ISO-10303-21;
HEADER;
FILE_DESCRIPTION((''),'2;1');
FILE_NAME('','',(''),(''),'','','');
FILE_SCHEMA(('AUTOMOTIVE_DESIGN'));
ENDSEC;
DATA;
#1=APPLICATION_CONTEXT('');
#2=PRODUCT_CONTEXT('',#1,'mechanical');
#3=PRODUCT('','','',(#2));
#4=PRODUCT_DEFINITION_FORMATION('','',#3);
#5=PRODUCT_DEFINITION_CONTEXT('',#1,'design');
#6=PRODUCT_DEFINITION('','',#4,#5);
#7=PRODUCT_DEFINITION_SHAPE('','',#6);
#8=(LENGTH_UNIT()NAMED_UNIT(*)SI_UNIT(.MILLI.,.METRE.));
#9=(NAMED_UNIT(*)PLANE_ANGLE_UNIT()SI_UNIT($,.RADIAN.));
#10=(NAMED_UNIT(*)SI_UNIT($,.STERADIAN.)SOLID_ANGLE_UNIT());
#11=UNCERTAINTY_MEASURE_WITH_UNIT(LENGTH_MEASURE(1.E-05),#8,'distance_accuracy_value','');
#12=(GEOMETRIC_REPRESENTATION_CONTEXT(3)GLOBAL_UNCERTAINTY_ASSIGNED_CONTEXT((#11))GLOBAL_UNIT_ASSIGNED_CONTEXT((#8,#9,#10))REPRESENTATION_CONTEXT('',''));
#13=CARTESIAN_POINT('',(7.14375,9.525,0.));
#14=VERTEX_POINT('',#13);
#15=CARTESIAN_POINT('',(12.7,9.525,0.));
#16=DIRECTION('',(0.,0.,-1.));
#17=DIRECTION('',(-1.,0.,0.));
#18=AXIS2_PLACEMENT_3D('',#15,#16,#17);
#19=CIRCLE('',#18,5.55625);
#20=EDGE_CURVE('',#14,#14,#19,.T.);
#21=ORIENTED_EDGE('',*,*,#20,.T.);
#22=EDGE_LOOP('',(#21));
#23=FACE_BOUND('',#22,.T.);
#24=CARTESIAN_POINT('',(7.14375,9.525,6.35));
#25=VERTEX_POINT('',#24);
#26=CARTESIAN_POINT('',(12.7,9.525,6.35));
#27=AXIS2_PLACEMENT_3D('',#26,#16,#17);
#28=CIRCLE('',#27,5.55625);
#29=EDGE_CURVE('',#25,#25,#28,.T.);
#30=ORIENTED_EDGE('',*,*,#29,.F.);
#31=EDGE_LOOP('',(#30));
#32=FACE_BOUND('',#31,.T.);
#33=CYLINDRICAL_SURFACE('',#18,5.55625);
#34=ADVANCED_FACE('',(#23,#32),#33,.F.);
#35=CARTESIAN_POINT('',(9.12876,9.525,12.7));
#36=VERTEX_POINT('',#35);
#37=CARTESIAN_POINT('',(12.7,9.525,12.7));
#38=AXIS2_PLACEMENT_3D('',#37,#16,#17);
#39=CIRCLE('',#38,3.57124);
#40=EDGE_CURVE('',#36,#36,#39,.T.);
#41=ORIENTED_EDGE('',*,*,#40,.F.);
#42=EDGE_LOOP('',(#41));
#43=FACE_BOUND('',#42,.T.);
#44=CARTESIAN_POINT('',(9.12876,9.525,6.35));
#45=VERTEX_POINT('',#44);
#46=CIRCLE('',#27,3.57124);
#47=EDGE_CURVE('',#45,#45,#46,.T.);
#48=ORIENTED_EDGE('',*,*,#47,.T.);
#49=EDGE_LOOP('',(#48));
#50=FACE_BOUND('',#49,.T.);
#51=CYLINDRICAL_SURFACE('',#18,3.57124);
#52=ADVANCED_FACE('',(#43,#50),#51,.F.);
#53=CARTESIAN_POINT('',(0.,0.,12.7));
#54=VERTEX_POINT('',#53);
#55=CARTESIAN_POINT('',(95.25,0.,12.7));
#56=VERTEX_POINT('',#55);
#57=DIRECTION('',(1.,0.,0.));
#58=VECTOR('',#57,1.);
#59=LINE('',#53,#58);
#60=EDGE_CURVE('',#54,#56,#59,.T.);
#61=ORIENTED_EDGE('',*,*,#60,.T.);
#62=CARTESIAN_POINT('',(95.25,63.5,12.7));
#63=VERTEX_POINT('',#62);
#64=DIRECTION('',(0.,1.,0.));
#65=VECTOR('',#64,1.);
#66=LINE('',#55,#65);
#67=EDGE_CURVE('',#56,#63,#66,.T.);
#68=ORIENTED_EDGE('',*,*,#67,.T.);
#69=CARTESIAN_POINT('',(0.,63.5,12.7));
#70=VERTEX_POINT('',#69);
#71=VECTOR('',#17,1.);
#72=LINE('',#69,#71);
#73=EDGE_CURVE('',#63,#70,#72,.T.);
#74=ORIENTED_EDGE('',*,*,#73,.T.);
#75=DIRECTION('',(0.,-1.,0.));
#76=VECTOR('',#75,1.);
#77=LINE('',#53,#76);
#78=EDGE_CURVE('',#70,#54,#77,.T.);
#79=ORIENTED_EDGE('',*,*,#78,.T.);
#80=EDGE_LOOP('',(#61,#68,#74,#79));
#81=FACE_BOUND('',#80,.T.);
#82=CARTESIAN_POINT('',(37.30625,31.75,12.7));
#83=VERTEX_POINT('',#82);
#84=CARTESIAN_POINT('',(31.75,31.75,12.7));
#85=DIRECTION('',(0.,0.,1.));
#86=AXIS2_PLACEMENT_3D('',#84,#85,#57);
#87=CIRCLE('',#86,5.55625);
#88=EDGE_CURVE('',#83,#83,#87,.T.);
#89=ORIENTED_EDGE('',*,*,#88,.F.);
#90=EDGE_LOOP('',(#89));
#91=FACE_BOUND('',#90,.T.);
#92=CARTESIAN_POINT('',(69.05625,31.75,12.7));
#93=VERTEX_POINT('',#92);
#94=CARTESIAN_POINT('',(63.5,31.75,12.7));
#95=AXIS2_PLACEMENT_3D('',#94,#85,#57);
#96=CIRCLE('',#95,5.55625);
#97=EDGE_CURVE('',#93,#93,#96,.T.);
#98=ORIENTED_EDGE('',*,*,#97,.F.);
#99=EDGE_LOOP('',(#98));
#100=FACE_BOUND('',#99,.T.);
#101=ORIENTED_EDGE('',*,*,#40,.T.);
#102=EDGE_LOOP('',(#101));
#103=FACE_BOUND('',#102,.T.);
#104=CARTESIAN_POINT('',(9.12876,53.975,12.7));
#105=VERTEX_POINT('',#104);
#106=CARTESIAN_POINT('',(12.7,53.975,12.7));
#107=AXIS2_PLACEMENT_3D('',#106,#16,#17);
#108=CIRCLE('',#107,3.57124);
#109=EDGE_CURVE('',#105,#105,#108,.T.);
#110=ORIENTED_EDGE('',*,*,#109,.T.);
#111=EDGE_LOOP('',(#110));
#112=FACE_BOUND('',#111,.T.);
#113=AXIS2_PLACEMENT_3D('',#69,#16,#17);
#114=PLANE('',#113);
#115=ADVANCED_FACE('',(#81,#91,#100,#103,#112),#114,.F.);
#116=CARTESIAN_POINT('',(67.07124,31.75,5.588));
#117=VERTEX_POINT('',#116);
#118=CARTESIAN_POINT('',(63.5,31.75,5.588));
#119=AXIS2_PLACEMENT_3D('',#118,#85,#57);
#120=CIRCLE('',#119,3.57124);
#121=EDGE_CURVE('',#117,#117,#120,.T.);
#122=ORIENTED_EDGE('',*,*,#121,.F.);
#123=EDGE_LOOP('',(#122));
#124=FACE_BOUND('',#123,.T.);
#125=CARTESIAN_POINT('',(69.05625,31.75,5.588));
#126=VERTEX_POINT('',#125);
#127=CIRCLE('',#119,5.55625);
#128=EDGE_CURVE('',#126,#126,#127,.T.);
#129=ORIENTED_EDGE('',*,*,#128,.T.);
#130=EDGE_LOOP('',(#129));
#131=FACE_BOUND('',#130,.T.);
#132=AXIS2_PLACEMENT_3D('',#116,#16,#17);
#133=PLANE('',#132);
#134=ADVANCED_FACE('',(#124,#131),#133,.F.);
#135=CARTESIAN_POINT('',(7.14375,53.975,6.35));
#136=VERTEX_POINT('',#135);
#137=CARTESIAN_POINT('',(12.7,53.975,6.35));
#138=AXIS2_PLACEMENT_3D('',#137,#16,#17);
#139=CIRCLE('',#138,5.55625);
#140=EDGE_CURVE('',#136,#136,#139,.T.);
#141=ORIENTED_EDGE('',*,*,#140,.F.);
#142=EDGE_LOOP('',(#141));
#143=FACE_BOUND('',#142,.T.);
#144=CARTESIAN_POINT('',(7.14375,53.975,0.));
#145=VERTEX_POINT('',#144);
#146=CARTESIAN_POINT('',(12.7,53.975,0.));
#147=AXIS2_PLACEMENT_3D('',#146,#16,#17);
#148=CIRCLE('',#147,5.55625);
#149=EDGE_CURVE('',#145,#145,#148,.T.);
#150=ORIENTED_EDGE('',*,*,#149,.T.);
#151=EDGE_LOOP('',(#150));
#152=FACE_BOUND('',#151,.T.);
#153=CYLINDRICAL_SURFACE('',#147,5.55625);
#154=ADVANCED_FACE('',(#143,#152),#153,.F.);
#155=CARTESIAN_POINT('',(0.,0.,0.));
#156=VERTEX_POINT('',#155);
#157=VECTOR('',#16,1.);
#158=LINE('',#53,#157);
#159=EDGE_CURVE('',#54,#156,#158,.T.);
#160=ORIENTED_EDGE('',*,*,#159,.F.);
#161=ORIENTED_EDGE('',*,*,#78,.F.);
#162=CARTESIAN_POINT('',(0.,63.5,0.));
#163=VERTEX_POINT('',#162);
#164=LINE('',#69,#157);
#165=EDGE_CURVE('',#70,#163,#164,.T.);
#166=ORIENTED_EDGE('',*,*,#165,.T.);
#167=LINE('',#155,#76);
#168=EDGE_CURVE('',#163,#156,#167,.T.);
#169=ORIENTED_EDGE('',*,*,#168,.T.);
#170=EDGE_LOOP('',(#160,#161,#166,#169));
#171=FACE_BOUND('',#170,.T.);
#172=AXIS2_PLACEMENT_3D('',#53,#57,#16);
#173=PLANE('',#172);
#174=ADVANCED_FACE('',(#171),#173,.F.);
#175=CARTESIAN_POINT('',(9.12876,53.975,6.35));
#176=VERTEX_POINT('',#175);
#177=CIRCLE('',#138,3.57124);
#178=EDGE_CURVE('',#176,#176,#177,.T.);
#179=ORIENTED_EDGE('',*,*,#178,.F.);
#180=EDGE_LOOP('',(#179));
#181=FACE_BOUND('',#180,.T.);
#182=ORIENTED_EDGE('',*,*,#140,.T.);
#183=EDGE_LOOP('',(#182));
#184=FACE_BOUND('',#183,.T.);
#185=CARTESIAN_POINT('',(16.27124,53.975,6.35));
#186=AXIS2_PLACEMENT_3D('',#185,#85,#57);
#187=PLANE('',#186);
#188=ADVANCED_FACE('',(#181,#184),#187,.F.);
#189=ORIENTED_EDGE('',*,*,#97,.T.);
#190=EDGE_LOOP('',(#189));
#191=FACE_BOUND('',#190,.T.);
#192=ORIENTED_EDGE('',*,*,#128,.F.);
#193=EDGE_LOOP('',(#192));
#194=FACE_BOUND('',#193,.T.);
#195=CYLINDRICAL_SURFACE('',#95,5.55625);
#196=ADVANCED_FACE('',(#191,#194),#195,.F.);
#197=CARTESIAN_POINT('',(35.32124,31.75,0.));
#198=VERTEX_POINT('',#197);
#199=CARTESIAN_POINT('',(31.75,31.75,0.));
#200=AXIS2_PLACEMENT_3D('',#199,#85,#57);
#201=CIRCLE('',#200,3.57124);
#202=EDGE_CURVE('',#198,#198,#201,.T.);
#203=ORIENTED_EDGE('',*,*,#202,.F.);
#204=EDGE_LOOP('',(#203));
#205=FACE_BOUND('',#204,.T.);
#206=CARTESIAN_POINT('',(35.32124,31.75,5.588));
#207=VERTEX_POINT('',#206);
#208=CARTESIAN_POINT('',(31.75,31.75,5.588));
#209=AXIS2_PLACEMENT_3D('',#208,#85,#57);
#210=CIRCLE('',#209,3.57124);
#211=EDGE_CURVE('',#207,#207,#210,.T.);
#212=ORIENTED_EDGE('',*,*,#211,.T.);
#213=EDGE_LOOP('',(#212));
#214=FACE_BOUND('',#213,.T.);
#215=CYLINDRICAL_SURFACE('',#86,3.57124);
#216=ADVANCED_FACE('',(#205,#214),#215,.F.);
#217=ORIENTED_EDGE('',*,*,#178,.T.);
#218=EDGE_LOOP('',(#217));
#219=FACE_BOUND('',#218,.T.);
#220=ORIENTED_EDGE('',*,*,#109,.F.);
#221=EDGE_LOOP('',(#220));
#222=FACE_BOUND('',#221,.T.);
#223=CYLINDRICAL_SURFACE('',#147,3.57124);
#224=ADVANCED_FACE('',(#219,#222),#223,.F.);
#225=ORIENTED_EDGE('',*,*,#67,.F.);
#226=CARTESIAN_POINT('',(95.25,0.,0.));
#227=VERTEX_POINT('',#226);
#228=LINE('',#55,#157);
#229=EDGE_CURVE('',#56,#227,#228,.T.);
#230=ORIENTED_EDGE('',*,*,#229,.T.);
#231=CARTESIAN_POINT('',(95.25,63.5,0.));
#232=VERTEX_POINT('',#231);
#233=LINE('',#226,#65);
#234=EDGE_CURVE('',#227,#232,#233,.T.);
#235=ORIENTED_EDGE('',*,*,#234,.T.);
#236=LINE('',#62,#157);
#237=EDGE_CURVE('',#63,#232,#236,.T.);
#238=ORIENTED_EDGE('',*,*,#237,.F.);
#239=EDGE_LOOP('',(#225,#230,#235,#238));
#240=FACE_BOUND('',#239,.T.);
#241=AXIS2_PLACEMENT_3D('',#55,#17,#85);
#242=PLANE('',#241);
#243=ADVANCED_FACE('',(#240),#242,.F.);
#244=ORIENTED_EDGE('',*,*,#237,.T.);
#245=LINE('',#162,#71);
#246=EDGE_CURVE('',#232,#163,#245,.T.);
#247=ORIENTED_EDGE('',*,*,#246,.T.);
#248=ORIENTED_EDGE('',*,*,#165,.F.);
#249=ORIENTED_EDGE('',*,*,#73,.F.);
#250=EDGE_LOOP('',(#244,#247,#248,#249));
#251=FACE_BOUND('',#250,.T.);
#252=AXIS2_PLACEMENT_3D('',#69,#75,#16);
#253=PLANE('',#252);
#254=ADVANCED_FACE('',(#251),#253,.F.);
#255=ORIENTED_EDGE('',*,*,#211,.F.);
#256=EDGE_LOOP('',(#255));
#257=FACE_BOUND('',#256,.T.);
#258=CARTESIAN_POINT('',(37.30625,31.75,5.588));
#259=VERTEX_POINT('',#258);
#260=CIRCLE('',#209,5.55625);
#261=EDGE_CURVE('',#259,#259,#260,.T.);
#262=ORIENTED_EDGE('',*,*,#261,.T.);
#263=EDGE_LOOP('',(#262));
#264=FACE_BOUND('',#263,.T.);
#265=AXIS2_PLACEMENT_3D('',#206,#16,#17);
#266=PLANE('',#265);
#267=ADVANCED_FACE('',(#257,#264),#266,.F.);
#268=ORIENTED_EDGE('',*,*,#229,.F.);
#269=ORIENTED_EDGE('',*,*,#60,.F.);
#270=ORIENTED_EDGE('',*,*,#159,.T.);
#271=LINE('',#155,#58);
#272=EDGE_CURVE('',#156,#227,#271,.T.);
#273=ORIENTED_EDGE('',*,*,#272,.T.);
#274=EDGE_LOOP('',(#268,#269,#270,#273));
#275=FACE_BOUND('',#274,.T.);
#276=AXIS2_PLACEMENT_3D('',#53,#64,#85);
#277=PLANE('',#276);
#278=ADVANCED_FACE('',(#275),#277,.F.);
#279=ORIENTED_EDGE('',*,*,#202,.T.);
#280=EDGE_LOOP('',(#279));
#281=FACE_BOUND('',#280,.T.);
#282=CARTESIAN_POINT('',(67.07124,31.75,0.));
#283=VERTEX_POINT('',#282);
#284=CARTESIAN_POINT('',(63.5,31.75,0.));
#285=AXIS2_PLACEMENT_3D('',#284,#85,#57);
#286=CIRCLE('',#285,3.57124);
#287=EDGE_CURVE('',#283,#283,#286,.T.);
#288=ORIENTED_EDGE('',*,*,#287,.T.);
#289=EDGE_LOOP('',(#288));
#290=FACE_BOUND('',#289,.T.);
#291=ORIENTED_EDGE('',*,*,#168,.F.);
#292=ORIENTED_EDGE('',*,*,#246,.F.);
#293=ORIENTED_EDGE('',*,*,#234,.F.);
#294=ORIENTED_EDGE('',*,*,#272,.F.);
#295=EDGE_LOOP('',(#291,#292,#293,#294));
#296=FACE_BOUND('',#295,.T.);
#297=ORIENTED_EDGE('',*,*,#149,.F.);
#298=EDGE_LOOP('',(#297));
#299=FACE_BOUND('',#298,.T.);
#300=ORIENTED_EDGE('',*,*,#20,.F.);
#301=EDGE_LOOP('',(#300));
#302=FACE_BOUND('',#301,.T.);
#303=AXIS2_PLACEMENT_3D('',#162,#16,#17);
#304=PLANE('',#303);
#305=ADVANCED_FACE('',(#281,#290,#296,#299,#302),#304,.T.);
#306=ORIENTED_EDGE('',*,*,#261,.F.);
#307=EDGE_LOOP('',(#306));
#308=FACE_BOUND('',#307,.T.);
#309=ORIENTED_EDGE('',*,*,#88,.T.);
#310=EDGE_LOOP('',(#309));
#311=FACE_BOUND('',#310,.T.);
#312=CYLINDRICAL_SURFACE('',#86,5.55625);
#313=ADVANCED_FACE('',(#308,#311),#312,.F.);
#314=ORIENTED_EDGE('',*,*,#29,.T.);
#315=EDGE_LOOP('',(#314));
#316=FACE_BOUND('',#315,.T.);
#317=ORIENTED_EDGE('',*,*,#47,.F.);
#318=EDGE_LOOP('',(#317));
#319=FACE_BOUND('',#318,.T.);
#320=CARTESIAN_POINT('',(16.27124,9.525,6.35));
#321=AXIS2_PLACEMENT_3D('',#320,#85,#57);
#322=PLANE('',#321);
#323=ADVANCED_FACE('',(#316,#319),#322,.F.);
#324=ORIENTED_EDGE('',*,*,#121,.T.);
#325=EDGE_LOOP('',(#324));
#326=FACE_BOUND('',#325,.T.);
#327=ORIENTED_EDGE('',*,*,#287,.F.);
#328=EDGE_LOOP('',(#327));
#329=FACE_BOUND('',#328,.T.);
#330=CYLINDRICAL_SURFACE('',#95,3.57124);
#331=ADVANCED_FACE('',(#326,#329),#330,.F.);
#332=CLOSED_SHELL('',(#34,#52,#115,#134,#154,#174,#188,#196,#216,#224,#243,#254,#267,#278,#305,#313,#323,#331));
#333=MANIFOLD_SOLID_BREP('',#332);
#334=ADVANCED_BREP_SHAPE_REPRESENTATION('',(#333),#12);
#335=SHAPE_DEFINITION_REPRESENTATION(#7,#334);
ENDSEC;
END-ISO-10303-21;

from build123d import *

# Parameters (mm, degrees)
SKETCH1_W                                        = 95.25
SKETCH1_H                                        = 63.5
BOSS_EXTRUDE1_DEPTH                              = 12.7
CBORE_FOR_1_4_SOCKET_HEAD_CAP_SCREW1_D           = 7.14248
CBORE_FOR_1_4_SOCKET_HEAD_CAP_SCREW1_CBORE_D     = 11.1125
CBORE_FOR_1_4_SOCKET_HEAD_CAP_SCREW1_CBORE_DEPTH = 6.35
CBORE_FOR_1_4_SOCKET_HEAD_CAP_SCREW2_D           = 7.14248
CBORE_FOR_1_4_SOCKET_HEAD_CAP_SCREW2_CBORE_D     = 11.1125
CBORE_FOR_1_4_SOCKET_HEAD_CAP_SCREW2_CBORE_DEPTH = 7.112


with BuildPart() as part:
    # Sketch1 → Boss-Extrude1 (new body)
    with BuildSketch(Plane.XY):
        with Locations((47.625, 31.75)):
            Rectangle(SKETCH1_W, SKETCH1_H)
    extrude(amount=BOSS_EXTRUDE1_DEPTH)

    # CBORE for 1/4 Socket Head Cap Screw1 (through all)
    with Locations(Plane(origin=(0, 0, 0), x_dir=(-1, 0, 0), z_dir=(0, 0, -1))):
        with Locations((-12.7, 53.975), (-12.7, 9.525)):
            CounterBoreHole(CBORE_FOR_1_4_SOCKET_HEAD_CAP_SCREW1_D / 2, CBORE_FOR_1_4_SOCKET_HEAD_CAP_SCREW1_CBORE_D / 2, CBORE_FOR_1_4_SOCKET_HEAD_CAP_SCREW1_CBORE_DEPTH)

    # CBORE for 1/4 Socket Head Cap Screw2 (through all)
    with Locations(Plane.XY.offset(12.7)):
        with Locations((31.75, 31.75), (63.5, 31.75)):
            CounterBoreHole(CBORE_FOR_1_4_SOCKET_HEAD_CAP_SCREW2_D / 2, CBORE_FOR_1_4_SOCKET_HEAD_CAP_SCREW2_CBORE_D / 2, CBORE_FOR_1_4_SOCKET_HEAD_CAP_SCREW2_CBORE_DEPTH)


solid = part.part
